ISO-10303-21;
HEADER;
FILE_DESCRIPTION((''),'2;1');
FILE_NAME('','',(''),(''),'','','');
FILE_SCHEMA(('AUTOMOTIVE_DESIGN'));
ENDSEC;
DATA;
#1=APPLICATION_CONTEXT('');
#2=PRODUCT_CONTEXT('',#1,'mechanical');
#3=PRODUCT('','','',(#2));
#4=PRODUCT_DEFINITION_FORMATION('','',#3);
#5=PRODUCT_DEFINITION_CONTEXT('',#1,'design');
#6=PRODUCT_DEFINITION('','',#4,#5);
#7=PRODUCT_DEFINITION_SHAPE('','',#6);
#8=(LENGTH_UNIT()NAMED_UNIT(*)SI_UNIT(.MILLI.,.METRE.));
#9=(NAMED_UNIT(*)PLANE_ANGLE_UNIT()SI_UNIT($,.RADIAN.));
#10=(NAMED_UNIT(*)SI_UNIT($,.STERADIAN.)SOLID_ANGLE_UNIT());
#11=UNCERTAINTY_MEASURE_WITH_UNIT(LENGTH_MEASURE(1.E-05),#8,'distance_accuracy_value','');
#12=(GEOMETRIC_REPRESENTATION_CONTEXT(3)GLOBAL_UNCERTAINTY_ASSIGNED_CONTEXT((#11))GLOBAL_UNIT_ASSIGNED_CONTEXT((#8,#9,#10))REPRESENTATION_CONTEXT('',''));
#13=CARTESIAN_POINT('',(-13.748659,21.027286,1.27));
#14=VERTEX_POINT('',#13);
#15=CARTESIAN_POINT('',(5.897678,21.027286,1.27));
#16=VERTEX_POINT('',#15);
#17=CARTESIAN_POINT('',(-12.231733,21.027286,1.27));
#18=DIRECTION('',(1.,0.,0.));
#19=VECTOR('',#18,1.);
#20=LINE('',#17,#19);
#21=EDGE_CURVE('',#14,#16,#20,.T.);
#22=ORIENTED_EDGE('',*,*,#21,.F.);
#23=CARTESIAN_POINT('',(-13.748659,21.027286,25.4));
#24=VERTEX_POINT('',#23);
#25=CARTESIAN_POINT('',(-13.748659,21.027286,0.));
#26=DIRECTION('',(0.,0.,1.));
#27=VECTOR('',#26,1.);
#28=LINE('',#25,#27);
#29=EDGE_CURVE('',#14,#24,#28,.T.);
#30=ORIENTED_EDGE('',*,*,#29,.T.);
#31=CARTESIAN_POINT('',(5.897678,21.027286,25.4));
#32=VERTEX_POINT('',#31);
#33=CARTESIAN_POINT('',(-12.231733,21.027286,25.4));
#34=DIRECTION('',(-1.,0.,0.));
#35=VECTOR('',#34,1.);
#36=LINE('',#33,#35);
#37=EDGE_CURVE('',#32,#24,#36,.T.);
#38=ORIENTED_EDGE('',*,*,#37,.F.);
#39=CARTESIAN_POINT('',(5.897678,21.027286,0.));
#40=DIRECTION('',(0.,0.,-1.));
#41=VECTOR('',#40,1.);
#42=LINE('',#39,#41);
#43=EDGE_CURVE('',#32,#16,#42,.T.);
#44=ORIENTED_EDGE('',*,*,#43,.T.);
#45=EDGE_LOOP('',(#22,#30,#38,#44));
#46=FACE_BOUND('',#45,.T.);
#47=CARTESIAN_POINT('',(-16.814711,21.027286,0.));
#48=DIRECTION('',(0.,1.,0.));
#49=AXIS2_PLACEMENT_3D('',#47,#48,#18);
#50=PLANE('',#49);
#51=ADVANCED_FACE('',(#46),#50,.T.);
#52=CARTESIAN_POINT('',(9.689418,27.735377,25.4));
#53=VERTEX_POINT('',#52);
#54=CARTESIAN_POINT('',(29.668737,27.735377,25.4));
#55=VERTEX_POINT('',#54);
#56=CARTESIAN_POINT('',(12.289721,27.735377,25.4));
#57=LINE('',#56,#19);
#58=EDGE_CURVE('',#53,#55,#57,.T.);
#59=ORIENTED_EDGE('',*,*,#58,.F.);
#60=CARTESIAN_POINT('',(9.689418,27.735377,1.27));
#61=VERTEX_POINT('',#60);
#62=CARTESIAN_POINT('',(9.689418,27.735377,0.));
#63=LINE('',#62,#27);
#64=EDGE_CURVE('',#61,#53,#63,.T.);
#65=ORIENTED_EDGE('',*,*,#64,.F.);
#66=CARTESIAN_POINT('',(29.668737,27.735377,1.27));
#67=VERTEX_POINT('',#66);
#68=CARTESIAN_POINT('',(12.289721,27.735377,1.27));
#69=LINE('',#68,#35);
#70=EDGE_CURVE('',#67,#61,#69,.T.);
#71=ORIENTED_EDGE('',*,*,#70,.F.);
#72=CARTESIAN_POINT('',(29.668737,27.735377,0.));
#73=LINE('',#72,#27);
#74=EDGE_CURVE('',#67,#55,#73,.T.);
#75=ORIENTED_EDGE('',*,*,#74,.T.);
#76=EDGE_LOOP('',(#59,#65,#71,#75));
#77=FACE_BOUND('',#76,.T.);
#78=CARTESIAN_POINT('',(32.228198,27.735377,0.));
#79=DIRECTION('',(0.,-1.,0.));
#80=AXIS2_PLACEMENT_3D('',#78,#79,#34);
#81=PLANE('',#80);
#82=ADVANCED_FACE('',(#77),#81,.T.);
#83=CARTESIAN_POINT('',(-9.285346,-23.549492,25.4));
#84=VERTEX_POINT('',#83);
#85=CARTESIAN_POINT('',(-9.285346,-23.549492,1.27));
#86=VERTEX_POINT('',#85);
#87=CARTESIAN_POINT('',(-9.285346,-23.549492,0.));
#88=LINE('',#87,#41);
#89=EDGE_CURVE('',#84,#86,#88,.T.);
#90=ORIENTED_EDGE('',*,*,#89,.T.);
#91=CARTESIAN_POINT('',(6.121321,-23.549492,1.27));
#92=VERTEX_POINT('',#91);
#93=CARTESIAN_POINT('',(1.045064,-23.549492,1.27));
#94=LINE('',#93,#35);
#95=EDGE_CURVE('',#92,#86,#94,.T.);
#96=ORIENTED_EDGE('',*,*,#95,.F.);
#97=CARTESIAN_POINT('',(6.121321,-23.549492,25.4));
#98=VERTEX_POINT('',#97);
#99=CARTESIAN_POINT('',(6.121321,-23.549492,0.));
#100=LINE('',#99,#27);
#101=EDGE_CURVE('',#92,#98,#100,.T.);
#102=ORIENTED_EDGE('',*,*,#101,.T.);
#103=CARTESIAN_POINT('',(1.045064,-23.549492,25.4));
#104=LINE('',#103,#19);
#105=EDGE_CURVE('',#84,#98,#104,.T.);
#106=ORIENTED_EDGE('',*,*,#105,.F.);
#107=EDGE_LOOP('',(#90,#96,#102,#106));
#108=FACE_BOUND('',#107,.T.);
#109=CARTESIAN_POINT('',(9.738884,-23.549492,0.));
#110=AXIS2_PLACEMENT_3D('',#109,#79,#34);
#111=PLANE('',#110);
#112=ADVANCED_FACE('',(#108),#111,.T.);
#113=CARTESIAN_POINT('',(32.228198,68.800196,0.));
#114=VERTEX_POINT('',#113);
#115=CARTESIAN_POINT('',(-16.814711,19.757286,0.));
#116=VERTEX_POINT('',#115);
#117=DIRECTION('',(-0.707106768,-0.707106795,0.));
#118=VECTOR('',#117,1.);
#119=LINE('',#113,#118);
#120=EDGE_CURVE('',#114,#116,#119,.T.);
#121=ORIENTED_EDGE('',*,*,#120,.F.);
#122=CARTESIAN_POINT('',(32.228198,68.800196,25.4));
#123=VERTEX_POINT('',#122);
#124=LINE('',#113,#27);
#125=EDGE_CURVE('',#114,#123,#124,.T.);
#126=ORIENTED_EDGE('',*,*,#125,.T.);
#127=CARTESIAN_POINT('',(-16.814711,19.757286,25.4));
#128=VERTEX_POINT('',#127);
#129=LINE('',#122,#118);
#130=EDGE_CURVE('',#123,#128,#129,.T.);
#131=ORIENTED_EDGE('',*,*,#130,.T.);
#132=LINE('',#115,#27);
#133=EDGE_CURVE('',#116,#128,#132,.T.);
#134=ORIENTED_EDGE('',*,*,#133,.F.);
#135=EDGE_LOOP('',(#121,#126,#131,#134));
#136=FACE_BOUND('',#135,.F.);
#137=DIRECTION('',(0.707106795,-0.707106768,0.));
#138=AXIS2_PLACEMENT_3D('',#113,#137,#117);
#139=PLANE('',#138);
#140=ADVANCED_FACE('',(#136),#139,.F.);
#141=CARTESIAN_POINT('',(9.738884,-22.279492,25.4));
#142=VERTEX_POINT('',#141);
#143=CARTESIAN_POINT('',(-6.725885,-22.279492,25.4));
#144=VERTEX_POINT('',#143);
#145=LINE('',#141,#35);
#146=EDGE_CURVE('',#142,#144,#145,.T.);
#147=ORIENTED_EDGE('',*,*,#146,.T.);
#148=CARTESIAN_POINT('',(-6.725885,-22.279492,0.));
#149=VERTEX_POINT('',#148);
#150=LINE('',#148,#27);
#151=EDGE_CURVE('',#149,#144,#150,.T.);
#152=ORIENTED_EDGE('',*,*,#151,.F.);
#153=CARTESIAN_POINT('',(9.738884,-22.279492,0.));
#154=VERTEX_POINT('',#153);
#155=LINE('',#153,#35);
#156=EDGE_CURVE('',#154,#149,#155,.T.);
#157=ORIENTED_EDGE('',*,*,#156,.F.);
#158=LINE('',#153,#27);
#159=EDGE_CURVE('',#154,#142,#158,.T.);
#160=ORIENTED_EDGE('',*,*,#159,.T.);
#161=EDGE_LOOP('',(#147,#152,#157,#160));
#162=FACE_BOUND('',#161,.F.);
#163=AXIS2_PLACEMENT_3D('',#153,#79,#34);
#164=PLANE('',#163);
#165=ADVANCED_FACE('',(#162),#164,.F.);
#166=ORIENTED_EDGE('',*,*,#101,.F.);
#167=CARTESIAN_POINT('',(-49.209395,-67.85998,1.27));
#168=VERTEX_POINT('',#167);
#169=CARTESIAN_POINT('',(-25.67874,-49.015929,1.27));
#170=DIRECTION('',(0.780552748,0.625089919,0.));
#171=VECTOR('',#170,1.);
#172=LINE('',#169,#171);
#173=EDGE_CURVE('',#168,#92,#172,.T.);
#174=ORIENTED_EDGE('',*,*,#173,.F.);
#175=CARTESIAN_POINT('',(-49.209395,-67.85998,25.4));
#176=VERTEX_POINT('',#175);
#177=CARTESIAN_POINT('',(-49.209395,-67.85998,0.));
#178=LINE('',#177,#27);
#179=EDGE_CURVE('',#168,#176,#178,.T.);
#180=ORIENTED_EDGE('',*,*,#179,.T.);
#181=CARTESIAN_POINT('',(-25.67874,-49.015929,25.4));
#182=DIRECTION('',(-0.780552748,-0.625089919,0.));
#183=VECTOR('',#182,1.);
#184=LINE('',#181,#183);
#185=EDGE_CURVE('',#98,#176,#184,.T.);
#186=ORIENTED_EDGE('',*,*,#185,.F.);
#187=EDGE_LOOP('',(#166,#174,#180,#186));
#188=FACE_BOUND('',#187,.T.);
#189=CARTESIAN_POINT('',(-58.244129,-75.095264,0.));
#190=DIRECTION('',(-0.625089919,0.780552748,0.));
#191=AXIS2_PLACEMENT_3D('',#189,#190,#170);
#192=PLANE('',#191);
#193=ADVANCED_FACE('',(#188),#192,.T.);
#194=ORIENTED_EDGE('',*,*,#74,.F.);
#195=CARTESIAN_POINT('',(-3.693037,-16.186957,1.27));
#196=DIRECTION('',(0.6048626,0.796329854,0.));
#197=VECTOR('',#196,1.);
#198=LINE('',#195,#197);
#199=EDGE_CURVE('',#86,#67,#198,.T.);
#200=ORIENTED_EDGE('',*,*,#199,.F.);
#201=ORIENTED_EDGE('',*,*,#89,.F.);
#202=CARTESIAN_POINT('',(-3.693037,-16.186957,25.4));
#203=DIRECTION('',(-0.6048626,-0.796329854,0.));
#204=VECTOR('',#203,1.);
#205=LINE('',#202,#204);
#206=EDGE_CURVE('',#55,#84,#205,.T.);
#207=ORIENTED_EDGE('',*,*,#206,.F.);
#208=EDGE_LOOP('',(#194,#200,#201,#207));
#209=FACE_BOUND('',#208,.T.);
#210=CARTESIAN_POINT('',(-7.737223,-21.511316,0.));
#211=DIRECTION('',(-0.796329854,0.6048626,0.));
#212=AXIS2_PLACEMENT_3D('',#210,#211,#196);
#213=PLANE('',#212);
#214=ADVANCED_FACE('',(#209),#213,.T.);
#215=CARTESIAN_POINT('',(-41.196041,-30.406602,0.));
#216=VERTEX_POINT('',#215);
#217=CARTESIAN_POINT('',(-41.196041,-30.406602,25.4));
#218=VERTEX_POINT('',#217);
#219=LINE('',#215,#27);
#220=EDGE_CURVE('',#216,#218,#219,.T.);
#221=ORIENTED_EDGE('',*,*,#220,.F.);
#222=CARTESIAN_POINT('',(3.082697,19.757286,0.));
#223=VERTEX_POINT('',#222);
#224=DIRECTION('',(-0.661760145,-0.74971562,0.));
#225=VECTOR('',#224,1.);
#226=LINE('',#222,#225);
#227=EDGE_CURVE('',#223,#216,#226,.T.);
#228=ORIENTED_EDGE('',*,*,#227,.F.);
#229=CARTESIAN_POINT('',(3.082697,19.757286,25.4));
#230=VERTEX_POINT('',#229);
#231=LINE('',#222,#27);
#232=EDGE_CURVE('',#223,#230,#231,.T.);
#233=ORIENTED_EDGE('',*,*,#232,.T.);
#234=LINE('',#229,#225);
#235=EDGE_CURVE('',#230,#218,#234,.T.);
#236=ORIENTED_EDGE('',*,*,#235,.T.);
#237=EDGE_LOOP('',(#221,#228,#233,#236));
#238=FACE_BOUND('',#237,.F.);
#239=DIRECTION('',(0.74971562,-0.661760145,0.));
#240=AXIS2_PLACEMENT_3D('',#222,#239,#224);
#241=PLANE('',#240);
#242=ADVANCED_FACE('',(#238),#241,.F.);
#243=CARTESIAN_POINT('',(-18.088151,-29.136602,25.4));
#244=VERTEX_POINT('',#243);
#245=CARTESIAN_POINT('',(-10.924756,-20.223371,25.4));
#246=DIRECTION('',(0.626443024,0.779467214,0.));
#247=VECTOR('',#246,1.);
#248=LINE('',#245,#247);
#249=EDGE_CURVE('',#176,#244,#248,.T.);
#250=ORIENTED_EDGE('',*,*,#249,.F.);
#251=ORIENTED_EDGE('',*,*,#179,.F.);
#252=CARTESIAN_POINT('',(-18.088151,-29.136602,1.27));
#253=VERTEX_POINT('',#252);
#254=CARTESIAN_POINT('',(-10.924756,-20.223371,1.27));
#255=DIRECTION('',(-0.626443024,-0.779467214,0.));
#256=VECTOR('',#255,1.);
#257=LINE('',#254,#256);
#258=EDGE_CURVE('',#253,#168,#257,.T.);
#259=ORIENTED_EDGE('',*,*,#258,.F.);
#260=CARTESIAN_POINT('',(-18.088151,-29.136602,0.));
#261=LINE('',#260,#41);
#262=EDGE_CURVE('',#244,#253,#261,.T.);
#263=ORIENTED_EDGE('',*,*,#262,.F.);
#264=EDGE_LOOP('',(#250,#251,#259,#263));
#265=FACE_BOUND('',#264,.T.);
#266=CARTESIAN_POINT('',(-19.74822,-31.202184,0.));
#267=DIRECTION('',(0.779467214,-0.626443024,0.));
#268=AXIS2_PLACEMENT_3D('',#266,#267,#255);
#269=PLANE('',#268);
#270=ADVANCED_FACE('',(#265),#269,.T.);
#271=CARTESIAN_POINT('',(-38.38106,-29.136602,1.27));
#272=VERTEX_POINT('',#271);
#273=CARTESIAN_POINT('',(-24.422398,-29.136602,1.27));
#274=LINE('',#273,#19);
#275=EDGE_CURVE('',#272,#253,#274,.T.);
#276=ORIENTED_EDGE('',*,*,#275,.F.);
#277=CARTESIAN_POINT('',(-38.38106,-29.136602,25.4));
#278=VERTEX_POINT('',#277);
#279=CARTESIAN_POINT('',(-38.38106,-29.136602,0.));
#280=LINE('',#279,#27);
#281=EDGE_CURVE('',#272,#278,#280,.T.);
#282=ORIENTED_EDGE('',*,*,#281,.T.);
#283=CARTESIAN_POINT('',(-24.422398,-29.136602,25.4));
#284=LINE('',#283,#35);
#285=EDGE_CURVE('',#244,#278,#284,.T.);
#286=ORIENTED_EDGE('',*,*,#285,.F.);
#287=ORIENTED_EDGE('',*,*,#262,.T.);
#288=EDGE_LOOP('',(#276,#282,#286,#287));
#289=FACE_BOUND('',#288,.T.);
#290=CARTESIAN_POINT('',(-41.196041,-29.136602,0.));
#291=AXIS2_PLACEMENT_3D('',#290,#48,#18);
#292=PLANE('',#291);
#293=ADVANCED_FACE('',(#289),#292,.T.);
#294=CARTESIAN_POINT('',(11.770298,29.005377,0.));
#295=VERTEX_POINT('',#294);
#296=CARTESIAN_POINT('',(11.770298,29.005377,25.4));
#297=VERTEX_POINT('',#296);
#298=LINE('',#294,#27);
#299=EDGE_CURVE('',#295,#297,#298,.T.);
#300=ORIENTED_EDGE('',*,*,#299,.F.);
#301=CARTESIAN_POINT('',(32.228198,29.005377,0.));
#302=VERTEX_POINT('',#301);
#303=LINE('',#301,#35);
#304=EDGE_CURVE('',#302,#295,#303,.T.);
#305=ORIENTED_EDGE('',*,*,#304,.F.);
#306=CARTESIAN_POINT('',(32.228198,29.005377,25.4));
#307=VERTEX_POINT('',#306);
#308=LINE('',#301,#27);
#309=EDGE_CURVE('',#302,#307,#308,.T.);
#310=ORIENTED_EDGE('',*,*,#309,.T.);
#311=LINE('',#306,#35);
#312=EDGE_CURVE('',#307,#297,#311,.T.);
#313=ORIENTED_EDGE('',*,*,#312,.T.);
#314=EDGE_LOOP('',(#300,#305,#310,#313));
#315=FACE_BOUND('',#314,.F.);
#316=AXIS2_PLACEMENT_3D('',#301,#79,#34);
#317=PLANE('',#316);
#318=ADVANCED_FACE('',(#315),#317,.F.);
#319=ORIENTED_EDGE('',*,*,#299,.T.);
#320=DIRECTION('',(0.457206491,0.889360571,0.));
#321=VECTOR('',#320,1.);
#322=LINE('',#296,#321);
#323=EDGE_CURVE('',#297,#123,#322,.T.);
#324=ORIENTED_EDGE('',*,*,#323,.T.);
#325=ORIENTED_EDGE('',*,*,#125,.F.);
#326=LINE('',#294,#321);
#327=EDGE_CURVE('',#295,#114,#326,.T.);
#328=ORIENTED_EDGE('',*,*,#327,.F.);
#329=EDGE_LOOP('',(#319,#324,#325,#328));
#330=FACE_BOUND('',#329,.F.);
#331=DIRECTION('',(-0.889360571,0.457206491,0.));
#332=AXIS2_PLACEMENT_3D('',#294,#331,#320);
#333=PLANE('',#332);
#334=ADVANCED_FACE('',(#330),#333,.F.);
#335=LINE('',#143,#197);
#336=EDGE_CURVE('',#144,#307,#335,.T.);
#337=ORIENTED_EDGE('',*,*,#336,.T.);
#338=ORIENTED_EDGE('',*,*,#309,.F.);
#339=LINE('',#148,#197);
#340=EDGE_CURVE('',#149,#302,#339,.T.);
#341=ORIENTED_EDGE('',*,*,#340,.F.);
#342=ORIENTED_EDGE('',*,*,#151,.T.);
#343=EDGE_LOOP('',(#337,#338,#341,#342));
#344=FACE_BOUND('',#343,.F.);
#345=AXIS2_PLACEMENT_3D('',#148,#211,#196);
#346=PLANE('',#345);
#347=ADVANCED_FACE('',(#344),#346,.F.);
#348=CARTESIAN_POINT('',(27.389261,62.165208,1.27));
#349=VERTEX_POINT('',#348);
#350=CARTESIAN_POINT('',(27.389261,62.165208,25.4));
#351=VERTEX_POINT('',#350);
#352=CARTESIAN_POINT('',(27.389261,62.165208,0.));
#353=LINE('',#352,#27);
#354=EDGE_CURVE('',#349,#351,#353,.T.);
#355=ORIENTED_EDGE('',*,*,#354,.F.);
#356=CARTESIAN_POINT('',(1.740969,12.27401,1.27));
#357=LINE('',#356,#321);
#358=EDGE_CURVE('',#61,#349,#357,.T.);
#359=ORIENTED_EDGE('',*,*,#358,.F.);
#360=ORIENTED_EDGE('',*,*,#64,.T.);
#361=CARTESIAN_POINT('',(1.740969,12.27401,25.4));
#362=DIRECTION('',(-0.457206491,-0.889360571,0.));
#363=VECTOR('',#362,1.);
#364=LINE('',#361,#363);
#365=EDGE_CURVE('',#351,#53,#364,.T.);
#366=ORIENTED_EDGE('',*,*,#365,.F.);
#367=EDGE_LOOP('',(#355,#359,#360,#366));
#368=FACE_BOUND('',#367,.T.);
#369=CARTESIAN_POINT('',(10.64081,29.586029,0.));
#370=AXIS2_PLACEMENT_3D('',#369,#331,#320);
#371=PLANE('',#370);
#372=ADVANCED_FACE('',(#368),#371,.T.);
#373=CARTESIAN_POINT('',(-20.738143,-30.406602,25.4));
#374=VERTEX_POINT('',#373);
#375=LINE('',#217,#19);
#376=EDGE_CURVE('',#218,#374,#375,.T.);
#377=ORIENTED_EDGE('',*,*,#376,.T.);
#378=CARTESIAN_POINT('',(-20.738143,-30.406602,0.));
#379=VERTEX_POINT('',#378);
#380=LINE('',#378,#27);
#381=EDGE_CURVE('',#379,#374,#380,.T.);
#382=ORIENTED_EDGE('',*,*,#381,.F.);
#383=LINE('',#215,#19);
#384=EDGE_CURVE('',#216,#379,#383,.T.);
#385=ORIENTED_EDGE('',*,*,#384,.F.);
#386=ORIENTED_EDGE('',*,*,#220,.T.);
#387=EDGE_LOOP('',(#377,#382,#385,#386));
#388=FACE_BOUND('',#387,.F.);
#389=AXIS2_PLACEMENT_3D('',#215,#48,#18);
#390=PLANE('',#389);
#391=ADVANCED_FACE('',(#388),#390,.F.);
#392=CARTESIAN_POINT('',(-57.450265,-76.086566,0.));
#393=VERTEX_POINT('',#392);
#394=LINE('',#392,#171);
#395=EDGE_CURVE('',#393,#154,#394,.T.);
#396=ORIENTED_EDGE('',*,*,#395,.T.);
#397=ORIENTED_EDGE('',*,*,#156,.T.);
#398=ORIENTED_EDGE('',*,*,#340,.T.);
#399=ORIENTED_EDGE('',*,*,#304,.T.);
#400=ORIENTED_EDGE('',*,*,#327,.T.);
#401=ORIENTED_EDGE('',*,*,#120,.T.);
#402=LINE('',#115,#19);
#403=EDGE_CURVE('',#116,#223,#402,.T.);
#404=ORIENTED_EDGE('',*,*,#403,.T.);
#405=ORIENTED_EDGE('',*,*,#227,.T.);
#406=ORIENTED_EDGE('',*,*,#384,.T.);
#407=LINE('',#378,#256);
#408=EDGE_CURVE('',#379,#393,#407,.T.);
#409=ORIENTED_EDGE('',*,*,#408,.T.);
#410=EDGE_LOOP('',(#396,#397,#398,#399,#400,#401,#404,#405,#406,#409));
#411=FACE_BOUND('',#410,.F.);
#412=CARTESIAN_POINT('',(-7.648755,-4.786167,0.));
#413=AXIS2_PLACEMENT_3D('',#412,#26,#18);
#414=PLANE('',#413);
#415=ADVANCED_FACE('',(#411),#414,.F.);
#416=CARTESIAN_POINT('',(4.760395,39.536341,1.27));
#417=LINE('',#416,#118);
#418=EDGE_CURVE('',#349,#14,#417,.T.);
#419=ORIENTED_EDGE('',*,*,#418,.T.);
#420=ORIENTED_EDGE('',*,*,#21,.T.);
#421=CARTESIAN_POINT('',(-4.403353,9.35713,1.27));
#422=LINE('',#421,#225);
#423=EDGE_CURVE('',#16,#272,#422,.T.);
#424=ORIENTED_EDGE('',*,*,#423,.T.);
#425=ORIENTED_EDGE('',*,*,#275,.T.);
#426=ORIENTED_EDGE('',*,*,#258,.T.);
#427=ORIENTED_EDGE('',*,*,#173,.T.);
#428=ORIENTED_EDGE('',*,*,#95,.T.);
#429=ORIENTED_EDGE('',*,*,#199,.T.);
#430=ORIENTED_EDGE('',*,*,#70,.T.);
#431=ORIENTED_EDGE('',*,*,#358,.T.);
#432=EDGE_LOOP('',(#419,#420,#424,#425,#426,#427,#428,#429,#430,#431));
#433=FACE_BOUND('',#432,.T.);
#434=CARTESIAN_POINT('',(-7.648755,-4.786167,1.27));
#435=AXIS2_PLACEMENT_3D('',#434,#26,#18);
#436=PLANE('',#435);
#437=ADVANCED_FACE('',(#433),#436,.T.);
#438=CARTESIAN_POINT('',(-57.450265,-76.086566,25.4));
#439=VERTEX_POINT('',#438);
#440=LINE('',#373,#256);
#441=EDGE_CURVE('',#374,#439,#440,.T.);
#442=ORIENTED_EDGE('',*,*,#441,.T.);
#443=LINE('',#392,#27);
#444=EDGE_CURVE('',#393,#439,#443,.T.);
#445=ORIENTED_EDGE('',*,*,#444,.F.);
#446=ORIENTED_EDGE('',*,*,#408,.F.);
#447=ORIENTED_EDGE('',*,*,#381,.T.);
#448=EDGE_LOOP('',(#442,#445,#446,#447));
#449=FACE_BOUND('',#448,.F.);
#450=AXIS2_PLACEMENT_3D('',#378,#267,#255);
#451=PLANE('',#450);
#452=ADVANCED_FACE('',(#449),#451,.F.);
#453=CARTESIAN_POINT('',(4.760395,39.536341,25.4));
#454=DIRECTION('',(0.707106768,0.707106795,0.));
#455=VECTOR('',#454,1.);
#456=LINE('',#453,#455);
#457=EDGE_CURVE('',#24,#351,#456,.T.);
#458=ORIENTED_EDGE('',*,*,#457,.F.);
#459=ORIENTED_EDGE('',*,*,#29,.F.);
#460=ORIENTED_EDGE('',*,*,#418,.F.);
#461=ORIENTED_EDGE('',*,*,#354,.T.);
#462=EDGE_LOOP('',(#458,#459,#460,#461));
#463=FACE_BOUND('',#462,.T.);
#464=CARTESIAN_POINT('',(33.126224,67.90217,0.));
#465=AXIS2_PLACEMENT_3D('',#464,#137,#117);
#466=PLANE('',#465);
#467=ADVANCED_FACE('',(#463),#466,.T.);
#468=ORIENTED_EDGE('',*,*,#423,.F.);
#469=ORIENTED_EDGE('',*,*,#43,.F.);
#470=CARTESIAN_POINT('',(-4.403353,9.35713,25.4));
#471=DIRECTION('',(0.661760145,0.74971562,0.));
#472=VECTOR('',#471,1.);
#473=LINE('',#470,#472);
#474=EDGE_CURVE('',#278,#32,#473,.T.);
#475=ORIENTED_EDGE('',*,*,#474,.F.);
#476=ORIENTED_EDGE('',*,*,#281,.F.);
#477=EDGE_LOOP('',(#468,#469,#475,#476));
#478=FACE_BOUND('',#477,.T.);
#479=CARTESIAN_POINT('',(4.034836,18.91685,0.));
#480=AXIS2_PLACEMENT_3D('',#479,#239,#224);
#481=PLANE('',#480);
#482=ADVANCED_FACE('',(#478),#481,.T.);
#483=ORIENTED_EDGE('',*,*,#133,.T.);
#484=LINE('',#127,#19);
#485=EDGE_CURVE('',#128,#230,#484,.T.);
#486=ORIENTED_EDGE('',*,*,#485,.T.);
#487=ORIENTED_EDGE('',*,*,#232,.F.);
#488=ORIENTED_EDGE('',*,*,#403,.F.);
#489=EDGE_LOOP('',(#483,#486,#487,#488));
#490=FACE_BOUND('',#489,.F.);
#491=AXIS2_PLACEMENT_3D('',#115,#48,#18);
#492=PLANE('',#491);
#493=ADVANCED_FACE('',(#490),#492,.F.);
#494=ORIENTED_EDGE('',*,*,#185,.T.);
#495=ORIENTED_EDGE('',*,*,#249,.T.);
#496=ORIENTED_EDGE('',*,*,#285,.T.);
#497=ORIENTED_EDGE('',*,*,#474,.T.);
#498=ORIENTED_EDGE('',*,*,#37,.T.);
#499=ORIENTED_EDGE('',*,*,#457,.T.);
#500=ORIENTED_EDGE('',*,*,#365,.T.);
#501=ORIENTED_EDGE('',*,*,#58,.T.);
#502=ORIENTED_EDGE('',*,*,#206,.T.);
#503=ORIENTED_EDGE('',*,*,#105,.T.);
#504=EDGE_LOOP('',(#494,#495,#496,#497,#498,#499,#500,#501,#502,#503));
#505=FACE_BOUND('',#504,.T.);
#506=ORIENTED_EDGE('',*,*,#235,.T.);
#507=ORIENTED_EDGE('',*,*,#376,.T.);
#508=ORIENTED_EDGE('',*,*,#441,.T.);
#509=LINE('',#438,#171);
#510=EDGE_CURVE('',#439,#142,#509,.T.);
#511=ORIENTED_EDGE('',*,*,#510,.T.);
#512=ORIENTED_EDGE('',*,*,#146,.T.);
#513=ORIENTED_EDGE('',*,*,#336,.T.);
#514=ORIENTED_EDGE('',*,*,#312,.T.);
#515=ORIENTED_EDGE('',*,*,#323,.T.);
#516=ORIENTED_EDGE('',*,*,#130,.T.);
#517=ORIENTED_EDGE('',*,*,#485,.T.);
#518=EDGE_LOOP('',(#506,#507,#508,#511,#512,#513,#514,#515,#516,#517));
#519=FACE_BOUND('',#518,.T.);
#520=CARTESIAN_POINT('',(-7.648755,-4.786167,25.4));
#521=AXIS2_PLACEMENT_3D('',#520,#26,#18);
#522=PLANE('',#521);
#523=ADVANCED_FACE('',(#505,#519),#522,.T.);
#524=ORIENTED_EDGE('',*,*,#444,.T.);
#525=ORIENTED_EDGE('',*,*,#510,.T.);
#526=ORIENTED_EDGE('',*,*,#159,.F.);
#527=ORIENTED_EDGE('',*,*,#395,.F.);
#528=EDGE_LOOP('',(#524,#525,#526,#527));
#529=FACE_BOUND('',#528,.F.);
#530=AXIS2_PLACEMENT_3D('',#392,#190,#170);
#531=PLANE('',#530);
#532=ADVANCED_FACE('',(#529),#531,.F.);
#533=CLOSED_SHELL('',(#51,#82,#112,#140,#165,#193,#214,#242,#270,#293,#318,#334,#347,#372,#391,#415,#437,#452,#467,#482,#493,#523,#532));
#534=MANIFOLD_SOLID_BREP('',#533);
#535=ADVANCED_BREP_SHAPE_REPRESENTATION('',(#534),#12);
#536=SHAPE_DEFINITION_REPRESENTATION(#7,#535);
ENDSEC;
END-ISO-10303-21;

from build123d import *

# Parameters (mm, degrees)
F1_DEPTH = 25.4
F2_T     = -1.27


with BuildPart() as f1:
    # F0 (on Top) → F1 (new body)
    with BuildSketch(Plane.XY):
        Polygon((11.7702977732, 29.0053766221), (32.2281979024, 68.8001960516), (-16.8147105724, 19.7572857141), (3.0826970469, 19.7572857141), (-41.1960408092, -30.406601727), (-20.7381434739, -30.406601727), (-57.4502646923, -76.0865658522), (9.7388841726, -22.2794916481), (-6.7258845083, -22.2794916481), (32.2281979024, 29.0053766221), align=None)
    extrude(amount=F1_DEPTH)

    # F2
    f2_openings = [f1.faces().sort_by_distance(p)[0] for p in [
        (-5.320253, -2.614371, 25.4),
    ]]
    offset(amount=F2_T, openings=f2_openings, kind=Kind.INTERSECTION)


solid = f1.part
